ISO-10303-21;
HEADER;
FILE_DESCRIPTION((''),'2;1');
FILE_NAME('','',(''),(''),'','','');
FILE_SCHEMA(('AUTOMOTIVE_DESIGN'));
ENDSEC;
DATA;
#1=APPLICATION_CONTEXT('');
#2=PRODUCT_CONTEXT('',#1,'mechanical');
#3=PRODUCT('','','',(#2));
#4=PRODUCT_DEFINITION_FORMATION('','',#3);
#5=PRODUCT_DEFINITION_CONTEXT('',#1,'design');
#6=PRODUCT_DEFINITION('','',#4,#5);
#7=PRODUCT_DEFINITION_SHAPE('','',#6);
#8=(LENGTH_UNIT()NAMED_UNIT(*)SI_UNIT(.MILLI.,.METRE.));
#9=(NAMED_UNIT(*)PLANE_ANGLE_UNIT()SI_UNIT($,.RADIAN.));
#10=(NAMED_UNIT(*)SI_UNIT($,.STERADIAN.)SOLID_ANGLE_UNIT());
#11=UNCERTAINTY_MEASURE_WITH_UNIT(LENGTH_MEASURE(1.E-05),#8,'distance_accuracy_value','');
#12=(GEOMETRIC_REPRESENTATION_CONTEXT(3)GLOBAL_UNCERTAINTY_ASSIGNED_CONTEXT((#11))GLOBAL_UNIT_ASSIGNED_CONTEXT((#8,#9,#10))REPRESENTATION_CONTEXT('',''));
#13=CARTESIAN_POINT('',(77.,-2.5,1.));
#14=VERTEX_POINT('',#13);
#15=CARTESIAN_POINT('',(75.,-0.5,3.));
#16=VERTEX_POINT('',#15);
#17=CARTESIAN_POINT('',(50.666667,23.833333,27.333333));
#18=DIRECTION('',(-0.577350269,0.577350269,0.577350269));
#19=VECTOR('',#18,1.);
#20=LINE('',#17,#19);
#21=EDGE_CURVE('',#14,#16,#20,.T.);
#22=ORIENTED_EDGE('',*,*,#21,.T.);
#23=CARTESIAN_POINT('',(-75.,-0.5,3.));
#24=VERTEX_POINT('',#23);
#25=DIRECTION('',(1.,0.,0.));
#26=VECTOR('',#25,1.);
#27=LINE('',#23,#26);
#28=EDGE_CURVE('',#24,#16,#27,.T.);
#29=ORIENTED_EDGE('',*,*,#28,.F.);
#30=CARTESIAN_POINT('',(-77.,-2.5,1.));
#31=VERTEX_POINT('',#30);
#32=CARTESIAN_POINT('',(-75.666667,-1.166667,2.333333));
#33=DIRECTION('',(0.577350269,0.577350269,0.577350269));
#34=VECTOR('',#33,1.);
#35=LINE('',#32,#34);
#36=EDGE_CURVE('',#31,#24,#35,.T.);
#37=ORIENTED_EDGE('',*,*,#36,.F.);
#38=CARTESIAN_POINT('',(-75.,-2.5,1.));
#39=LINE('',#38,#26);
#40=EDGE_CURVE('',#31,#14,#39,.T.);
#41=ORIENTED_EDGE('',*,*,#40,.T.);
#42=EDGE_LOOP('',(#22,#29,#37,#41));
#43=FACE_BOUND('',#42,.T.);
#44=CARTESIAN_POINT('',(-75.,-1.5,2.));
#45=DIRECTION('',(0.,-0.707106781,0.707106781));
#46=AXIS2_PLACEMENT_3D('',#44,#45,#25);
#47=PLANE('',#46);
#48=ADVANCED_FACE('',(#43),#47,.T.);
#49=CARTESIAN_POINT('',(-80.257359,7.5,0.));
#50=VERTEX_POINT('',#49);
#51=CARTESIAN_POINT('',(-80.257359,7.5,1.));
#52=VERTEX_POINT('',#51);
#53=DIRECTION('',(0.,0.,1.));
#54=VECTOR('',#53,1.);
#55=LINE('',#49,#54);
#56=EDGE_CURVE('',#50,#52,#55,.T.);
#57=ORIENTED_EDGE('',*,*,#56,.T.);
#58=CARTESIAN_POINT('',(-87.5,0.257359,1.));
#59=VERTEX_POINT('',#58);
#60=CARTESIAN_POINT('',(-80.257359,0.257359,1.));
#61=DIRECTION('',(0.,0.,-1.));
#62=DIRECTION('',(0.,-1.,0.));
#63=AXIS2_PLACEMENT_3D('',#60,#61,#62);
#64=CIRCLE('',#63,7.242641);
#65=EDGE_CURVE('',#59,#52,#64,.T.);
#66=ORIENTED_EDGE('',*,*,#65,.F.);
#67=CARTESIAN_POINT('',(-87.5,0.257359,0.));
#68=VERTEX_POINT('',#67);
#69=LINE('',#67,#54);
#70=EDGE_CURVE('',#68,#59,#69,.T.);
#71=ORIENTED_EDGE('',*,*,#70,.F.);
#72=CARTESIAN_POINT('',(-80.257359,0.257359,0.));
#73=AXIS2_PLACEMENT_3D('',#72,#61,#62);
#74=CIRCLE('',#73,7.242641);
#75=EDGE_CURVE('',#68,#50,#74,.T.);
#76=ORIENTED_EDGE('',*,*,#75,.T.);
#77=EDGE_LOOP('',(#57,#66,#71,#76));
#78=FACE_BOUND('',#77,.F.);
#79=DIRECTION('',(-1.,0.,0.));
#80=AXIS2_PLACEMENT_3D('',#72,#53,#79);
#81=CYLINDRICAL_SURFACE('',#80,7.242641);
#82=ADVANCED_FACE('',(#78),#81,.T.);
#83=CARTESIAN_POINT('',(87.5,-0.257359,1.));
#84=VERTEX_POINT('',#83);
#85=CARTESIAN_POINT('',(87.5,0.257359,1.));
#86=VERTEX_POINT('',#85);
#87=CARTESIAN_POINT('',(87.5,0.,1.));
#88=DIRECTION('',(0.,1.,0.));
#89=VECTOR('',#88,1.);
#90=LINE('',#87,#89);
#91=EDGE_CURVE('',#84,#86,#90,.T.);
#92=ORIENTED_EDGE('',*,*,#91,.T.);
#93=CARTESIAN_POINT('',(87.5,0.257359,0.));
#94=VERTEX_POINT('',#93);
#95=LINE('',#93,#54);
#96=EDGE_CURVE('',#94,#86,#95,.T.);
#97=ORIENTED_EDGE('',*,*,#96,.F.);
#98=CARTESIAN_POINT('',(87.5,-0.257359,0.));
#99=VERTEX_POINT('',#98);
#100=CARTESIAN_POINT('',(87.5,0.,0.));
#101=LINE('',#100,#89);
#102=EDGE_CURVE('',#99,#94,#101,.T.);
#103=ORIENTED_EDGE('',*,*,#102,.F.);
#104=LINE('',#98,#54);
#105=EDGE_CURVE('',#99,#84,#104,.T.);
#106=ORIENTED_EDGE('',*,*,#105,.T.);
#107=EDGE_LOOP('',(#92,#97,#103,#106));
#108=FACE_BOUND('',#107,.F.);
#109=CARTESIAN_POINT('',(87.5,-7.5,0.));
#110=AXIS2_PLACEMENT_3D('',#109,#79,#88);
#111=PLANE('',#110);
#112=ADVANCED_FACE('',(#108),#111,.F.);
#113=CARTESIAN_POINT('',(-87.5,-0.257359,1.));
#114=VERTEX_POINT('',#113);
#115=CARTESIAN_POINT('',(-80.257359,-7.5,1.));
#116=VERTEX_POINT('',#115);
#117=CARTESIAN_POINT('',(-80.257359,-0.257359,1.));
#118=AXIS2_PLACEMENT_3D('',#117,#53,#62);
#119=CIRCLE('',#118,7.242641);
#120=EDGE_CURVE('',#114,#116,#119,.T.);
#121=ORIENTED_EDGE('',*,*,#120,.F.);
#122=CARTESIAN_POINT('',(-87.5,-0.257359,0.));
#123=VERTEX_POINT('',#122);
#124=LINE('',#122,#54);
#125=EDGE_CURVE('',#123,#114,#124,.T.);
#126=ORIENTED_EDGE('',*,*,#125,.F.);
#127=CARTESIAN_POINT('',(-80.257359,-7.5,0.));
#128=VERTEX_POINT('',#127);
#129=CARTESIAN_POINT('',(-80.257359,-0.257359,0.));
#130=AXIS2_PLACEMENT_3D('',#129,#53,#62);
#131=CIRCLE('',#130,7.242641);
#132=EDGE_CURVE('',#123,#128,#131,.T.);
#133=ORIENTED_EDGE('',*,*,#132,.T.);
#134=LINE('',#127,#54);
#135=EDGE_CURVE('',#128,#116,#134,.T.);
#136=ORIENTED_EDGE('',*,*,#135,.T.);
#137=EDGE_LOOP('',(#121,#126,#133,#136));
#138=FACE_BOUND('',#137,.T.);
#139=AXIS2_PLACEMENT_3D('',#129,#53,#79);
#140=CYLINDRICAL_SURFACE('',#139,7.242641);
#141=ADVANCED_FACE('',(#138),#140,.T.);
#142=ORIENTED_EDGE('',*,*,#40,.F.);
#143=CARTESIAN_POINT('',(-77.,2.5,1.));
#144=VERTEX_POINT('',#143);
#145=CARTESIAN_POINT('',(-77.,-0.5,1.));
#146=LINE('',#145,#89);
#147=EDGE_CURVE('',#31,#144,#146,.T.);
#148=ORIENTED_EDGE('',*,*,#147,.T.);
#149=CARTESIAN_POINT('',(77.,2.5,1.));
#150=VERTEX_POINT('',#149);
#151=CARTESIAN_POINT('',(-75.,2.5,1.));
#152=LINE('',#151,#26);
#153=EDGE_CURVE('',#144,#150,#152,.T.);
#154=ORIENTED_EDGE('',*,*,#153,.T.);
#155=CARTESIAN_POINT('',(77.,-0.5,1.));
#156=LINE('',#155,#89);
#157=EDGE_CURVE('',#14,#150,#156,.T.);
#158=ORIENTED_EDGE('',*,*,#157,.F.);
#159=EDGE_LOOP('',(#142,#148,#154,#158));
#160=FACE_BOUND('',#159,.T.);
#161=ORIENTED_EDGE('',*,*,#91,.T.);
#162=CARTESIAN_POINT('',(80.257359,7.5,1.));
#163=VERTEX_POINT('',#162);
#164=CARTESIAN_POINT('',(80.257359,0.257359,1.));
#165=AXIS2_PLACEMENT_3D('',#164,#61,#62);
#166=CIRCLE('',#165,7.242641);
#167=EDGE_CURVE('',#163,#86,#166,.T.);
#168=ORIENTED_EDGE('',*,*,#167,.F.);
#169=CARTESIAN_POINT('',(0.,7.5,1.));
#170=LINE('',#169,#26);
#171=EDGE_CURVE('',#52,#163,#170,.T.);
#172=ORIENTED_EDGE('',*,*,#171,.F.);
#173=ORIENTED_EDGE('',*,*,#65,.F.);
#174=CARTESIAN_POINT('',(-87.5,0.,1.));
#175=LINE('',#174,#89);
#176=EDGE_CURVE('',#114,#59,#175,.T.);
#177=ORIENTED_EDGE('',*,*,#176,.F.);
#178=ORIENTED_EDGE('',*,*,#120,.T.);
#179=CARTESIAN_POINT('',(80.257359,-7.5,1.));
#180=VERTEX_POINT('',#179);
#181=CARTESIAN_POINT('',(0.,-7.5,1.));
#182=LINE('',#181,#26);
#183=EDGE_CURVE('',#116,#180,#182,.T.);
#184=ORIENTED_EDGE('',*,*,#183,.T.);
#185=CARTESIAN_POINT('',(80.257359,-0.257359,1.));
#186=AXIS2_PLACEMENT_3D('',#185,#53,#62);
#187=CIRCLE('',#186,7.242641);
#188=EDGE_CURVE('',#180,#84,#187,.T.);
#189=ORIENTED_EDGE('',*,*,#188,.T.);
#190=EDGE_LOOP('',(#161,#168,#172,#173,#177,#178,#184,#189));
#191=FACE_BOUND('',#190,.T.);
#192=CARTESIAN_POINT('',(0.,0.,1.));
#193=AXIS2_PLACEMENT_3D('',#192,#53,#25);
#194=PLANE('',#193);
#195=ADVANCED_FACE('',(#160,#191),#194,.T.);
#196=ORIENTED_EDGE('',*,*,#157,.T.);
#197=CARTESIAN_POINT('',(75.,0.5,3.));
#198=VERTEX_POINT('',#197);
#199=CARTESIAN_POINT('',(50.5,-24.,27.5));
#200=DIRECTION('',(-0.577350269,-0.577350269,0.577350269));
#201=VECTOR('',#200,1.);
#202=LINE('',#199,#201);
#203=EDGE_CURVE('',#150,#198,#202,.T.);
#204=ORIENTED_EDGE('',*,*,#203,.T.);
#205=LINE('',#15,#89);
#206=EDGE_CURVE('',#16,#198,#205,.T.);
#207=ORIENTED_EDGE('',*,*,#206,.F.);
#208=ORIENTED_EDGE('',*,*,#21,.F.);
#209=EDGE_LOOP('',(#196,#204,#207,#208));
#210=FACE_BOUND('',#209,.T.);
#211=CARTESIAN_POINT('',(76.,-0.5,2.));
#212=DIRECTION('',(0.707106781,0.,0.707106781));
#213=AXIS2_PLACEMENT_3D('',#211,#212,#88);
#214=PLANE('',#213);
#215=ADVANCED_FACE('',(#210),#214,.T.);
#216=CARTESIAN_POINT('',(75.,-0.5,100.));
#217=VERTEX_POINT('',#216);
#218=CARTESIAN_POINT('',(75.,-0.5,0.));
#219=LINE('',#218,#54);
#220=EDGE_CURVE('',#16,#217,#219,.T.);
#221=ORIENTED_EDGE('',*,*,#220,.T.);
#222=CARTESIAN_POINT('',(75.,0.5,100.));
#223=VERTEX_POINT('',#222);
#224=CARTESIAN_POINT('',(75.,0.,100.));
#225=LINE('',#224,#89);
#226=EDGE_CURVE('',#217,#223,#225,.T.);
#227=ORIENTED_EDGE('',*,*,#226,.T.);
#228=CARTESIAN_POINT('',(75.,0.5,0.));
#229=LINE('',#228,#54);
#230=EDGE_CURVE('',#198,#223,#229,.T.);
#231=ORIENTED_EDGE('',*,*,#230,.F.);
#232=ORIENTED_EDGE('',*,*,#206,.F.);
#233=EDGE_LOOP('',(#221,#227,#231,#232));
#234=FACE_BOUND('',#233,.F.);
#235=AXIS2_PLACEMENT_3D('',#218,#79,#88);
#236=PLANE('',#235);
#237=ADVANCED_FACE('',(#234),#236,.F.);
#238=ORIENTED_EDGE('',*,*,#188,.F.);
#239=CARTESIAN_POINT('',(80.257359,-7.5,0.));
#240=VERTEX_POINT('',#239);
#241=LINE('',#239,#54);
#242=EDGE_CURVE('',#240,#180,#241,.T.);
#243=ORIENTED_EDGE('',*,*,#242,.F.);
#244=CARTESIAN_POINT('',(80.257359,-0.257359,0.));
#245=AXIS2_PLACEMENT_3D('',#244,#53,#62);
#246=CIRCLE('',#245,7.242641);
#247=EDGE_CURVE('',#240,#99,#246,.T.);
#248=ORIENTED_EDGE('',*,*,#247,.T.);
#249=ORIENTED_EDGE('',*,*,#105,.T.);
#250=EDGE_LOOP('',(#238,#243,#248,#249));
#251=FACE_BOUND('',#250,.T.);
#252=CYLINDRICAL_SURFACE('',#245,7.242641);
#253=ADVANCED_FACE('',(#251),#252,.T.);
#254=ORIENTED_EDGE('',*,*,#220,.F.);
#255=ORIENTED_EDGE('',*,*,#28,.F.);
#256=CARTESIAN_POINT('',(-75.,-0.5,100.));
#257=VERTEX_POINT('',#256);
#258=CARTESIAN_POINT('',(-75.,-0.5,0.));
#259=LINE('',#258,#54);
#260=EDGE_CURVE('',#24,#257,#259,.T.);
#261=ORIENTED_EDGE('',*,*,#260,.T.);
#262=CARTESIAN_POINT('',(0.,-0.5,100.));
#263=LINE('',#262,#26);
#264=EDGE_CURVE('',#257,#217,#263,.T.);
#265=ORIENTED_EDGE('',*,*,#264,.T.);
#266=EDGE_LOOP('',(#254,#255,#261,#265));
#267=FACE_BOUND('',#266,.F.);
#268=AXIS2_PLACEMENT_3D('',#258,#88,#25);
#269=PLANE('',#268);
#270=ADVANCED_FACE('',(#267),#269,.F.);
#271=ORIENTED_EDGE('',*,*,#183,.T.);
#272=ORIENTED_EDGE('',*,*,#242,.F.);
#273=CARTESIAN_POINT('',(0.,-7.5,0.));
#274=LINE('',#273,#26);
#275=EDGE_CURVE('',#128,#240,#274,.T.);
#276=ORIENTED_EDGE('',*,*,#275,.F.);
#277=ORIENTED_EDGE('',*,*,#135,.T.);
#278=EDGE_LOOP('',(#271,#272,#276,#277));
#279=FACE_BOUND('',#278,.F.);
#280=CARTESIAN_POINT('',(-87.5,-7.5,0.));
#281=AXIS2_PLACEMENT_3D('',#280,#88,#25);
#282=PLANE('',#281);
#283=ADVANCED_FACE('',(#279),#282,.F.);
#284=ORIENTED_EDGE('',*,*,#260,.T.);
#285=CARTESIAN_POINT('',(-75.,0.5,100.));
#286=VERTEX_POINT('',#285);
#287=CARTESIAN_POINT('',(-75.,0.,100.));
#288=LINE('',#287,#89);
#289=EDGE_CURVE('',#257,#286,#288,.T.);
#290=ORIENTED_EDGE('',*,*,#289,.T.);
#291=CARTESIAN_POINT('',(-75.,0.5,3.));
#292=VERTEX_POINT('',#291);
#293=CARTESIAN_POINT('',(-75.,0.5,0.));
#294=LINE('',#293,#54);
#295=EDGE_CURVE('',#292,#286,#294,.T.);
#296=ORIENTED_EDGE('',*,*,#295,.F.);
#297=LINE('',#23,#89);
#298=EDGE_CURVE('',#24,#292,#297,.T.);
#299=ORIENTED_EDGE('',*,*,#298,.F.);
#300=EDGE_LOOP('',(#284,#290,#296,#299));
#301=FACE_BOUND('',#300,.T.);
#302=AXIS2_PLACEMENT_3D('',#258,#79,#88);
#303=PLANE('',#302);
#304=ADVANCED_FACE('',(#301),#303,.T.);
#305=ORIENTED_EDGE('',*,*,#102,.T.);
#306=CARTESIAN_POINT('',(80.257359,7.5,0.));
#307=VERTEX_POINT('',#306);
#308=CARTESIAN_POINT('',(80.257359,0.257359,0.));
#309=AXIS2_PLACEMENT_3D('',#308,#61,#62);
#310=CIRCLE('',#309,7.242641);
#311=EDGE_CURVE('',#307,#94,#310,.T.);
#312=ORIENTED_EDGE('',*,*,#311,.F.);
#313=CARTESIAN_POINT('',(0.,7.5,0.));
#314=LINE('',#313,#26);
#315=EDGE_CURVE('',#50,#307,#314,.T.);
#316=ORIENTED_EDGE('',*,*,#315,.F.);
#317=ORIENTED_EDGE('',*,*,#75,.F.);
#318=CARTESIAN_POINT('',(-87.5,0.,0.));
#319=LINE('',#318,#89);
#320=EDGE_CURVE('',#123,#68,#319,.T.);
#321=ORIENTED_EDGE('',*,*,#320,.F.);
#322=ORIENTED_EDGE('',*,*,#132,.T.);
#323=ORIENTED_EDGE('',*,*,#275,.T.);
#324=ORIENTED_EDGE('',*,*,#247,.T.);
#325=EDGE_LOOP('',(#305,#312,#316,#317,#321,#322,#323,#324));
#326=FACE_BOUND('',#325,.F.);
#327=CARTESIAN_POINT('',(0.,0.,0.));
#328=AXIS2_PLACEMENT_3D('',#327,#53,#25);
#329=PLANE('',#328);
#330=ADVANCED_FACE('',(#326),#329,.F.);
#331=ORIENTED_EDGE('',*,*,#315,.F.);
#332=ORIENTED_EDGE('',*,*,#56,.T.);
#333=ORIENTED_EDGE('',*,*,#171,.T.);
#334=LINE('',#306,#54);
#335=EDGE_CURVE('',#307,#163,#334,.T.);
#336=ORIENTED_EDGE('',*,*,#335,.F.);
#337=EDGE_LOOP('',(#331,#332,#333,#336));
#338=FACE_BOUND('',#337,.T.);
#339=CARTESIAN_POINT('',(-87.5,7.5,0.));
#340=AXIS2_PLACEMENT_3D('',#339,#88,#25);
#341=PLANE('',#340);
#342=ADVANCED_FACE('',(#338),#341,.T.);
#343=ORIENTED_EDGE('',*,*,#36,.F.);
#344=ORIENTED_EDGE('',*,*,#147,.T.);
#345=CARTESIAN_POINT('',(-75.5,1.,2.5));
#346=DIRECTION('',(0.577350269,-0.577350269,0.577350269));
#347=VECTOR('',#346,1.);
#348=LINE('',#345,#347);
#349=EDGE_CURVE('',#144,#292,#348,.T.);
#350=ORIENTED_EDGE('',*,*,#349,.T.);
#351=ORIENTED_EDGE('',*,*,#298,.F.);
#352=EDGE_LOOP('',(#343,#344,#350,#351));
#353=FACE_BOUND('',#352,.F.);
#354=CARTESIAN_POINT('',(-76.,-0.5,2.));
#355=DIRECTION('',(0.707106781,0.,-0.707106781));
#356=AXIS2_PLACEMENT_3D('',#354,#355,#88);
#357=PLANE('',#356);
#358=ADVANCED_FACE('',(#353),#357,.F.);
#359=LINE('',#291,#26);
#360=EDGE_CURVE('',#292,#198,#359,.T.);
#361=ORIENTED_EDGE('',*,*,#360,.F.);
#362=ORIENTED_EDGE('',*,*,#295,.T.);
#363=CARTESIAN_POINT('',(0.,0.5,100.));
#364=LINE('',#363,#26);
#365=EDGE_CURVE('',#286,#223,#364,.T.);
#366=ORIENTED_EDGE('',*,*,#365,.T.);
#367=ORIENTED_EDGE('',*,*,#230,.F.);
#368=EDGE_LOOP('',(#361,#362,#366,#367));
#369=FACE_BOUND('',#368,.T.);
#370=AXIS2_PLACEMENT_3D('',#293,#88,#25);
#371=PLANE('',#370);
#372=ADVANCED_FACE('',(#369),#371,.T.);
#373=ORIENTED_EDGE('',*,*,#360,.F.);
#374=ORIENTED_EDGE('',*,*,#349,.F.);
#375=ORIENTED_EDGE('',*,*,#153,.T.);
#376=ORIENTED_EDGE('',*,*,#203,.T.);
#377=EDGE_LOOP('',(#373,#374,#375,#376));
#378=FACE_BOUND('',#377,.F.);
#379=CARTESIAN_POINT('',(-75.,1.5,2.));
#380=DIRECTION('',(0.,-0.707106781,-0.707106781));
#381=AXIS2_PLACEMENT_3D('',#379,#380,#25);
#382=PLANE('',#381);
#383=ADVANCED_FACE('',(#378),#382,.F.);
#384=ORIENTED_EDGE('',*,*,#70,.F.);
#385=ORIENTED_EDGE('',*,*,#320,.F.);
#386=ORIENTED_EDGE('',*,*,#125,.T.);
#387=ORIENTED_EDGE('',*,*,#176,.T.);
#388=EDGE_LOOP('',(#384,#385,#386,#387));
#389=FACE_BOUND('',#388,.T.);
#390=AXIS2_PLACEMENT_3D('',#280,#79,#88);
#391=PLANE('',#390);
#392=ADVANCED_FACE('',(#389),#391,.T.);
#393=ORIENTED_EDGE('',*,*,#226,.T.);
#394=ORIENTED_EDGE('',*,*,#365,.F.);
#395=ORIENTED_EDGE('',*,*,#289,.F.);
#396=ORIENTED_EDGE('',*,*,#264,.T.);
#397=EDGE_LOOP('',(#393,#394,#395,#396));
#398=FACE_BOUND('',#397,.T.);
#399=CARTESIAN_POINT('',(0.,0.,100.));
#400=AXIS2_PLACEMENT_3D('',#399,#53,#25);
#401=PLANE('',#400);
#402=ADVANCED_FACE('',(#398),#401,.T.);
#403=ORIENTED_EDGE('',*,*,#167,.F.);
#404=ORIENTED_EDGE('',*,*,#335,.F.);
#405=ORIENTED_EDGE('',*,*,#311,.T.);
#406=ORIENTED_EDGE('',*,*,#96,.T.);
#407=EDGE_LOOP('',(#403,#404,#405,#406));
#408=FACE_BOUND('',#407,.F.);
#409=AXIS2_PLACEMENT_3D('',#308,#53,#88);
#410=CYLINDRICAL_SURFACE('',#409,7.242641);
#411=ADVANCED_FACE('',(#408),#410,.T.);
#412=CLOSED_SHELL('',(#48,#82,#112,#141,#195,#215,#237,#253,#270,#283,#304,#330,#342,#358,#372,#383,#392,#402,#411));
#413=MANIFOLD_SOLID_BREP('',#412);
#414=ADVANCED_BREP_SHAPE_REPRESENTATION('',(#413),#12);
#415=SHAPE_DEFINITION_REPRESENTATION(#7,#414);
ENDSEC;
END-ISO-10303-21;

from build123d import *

# Parameters (mm, degrees)
F0_W     = 150
F0_H     = 1
F1_DEPTH = 100
F2_W     = 175
F2_H     = 15
F3_DEPTH = 1
F4_R     = 7.242641
F5_SIZE  = 2


with BuildPart() as f1:
    # F0 (on Top) → F1 (new body)
    with BuildSketch(Plane.XY):
        Rectangle(F0_W, F0_H)
    extrude(amount=F1_DEPTH)

    # F2 (on Top) → F3 (join)
    with BuildSketch(Plane.XY):
        Rectangle(F2_W, F2_H)
    extrude(amount=F3_DEPTH)

    # F4
    f4_edges = [f1.edges().sort_by_distance(p)[0] for p in [
        (-87.5, -7.5, 0.5),
        (-87.5, 7.5, 0.5),
        (87.5, -7.5, 0.5),
        (87.5, 7.5, 0.5),
    ]]
    fillet(f4_edges, radius=F4_R)

    # F5
    f5_edges = [f1.edges().sort_by_distance(p)[0] for p in [
        (0, 0.5, 1),
        (75, 0, 1),
        (0, -0.5, 1),
        (-75, 0, 1),
    ]]
    chamfer(f5_edges, length=F5_SIZE)


solid = f1.part
